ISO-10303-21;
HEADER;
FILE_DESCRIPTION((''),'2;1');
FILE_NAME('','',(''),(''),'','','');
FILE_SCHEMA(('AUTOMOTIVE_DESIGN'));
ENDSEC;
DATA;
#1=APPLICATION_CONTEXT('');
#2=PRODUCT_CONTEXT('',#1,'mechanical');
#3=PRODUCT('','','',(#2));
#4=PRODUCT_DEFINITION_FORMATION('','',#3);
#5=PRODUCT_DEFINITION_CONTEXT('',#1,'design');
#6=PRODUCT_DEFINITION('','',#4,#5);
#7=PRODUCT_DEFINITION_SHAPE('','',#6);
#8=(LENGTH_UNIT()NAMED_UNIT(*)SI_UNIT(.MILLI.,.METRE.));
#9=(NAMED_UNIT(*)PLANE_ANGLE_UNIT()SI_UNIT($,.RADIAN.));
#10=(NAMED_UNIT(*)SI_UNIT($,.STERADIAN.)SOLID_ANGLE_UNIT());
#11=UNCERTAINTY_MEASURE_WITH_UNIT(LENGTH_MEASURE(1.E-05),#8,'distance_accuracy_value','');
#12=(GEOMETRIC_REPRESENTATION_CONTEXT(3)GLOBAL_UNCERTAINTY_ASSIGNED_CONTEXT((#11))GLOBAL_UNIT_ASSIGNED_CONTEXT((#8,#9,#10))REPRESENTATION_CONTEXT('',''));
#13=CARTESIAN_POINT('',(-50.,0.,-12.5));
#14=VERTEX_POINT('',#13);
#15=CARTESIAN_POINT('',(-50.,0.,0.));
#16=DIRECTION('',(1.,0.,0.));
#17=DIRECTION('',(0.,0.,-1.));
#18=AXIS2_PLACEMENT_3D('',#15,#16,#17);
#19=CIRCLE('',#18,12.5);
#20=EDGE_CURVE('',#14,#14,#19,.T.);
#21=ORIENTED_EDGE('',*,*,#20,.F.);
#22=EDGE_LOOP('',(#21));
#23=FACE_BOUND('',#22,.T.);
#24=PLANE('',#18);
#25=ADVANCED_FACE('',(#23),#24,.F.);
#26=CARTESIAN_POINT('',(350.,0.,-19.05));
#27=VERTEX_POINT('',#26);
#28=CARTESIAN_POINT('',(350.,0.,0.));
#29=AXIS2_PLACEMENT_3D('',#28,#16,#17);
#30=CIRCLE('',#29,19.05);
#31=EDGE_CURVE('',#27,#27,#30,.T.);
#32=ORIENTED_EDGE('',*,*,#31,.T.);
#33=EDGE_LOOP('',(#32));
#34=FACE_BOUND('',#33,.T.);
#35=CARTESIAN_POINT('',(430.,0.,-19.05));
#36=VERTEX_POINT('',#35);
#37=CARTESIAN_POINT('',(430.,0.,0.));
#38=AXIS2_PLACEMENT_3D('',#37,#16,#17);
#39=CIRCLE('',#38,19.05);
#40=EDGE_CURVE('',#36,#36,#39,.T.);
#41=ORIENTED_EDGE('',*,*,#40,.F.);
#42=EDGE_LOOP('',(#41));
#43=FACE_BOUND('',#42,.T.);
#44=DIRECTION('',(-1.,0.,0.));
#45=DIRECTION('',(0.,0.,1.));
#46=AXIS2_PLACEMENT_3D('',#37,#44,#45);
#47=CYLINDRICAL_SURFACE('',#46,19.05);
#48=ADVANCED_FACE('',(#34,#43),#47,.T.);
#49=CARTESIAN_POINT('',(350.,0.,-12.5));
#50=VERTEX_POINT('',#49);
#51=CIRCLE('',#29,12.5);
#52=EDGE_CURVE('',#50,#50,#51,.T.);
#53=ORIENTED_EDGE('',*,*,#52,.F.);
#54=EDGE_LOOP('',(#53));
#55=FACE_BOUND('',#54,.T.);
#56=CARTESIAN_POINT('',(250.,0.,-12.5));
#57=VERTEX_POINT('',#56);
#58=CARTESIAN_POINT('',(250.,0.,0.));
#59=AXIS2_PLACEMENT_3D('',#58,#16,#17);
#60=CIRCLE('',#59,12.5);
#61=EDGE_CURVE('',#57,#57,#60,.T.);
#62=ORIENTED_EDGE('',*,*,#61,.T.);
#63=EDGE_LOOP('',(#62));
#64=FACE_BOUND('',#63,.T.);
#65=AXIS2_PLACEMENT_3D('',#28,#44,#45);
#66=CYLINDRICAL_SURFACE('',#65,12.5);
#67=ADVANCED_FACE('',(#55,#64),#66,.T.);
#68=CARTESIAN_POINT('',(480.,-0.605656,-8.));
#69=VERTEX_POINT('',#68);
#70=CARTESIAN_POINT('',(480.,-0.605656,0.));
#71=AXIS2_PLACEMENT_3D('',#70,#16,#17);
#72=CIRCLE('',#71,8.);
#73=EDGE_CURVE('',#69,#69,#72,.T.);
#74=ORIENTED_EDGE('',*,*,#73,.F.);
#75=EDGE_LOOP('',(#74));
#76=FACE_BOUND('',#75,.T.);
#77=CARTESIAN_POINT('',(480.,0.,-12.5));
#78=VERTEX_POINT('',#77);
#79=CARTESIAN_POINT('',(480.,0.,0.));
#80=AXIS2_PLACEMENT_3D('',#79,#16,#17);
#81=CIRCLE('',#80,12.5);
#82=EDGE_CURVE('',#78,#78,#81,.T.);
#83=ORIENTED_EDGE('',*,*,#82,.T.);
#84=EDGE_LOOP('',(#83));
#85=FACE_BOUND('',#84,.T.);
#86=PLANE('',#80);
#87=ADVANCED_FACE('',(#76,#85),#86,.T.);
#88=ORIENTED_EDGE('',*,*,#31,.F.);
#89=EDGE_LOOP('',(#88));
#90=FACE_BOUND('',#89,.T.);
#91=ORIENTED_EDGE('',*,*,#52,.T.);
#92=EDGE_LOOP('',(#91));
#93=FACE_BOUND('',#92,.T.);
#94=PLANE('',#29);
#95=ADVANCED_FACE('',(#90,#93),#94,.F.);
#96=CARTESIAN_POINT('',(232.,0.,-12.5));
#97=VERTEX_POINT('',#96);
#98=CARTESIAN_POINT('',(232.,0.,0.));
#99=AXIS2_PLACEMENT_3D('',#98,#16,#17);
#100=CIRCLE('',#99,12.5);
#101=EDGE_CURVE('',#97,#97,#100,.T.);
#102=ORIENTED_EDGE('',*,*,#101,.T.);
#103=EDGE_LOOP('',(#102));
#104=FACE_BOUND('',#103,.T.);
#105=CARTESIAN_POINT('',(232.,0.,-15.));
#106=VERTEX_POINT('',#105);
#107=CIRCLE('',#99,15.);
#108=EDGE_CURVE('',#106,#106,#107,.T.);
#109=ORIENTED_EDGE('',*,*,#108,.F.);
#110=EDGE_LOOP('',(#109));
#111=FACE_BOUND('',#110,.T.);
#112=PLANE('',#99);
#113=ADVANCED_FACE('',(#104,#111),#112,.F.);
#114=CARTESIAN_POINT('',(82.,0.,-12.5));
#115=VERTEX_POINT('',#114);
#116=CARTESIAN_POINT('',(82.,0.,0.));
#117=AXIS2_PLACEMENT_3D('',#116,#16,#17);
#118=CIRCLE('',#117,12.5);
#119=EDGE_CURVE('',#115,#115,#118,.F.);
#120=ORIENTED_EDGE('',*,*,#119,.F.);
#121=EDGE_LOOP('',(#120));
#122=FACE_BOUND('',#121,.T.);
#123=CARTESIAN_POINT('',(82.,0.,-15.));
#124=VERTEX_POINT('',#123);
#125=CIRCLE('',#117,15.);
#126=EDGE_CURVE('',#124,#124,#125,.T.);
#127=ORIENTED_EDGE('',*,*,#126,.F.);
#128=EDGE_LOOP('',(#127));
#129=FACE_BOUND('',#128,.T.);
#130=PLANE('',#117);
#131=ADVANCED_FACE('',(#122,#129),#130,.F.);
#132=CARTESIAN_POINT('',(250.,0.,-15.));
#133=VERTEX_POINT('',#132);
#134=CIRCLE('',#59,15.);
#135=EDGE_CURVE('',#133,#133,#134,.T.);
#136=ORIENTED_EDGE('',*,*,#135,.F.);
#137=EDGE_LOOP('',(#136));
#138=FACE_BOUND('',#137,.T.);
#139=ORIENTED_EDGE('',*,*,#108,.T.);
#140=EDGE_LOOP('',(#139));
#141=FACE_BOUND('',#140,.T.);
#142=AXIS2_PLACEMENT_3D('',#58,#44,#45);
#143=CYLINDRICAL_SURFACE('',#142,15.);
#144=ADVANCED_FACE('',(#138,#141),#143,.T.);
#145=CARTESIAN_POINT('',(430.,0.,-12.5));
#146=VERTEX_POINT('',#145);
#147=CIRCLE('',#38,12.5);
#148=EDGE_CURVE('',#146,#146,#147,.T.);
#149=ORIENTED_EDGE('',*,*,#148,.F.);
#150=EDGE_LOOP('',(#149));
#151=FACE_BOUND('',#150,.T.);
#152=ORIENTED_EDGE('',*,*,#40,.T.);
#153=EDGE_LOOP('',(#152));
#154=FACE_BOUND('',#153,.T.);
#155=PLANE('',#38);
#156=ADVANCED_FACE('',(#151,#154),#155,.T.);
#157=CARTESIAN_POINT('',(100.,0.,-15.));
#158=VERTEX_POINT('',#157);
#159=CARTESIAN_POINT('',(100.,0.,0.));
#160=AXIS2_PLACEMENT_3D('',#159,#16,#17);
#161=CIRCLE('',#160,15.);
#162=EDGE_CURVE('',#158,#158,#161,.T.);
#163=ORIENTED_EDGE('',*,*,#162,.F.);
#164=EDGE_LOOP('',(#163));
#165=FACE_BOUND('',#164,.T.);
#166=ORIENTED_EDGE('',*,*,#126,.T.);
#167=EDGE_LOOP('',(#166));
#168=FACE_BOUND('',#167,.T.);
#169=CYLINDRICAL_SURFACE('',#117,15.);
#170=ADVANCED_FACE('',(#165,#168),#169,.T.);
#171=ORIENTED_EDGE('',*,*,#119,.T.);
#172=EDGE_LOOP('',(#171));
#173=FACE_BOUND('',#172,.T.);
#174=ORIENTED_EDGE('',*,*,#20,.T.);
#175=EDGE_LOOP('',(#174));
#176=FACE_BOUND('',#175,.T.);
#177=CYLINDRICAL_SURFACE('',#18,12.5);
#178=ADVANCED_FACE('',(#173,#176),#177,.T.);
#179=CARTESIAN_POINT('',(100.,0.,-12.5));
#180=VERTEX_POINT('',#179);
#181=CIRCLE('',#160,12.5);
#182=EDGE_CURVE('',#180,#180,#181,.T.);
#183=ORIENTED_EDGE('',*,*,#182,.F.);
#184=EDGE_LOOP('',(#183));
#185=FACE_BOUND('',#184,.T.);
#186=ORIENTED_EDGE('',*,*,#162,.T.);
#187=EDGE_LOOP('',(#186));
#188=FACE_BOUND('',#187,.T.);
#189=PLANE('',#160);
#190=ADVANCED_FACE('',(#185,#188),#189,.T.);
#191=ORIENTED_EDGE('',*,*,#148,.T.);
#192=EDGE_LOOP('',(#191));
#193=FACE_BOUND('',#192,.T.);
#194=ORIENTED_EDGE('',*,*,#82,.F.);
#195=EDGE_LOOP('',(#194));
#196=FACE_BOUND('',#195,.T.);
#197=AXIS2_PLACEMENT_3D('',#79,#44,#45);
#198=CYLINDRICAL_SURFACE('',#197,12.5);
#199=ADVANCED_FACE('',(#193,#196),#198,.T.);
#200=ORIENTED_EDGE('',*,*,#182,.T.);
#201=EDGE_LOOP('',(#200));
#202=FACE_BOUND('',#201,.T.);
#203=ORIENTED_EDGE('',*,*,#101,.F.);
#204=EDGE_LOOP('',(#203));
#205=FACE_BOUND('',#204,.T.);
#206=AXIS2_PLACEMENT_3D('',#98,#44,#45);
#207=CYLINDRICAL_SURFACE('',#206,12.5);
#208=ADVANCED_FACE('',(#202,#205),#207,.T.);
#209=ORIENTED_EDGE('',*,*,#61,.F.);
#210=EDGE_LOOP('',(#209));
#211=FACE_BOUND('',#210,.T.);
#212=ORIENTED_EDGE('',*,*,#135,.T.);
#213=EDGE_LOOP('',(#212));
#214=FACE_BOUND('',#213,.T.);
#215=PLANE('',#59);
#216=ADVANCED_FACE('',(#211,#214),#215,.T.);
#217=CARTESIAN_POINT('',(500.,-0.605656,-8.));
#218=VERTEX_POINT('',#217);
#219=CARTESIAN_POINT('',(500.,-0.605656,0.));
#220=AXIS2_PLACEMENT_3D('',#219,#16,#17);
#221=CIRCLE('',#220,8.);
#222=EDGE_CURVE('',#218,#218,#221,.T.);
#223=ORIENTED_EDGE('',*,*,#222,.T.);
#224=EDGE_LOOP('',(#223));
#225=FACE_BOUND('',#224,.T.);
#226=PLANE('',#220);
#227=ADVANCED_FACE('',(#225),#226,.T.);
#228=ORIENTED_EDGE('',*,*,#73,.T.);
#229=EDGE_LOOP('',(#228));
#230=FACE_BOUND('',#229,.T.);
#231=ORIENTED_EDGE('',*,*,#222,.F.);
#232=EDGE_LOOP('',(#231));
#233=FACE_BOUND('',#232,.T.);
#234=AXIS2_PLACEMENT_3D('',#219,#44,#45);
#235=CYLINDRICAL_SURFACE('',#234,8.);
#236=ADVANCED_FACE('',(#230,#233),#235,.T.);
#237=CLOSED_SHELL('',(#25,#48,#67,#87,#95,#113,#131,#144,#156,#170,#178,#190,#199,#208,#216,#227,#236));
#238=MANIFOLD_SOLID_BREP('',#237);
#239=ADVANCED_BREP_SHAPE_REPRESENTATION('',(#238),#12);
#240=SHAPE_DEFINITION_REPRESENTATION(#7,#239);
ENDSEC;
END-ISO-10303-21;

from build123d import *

# Parameters (mm, degrees)
EXTRUDE_1_DEPTH      = 100
EXTRUDE_1_DEPTH_BACK = 50
SKETCH_1_R           = 12.5
SKETCH_2_R           = 15
EXTRUDE_2_DEPTH      = 18
SKETCH_3_R           = 12.5
EXTRUDE_3_DEPTH      = 132
EXTRUDE_START        = 18
SKETCH_4_R           = 15
EXTRUDE_4_DEPTH      = 18
SKETCH_5_R           = 12.5
EXTRUDE_5_DEPTH      = 100
SKETCH_6_R           = 19.05
EXTRUDE_6_DEPTH      = 80
SKETCH_7_R           = 12.5
EXTRUDE_7_DEPTH      = 50
SKETCH_9_R           = 8
EXTRUDE_8_DEPTH      = 20


with BuildPart() as part:
    # 草图1 → 凸台-拉伸1 (new, two sides: drawn at the far end of the back side and taken through both)
    with BuildSketch(Plane(origin=(0, 0, 0), x_dir=(0, 0, -1), z_dir=(1, 0, 0)).offset(-EXTRUDE_1_DEPTH_BACK)):
        Circle(SKETCH_1_R)
    extrude(amount=EXTRUDE_1_DEPTH + EXTRUDE_1_DEPTH_BACK)

    # 草图2 → 凸台-拉伸2 (add)
    with BuildSketch(Plane(origin=(100, 0, 0), x_dir=(0, 0, -1), z_dir=(1, 0, 0))):
        Circle(SKETCH_2_R)
    extrude(amount=-EXTRUDE_2_DEPTH)

    # 草图3 → 凸台-拉伸3 (add)
    with BuildSketch(Plane(origin=(100, 0, 0), x_dir=(0, 0, -1), z_dir=(1, 0, 0))):
        Circle(SKETCH_3_R)
    extrude(amount=EXTRUDE_3_DEPTH)

    # 草图4 → 凸台-拉伸4 (add)
    with BuildSketch(Plane(origin=(232, 0, 0), x_dir=(0, 0, -1), z_dir=(1, 0, 0)).offset(EXTRUDE_START)):
        Circle(SKETCH_4_R)
    extrude(amount=-EXTRUDE_4_DEPTH)

    # 草图5 → 凸台-拉伸5 (add)
    with BuildSketch(Plane(origin=(250, 0, 0), x_dir=(0, 0, -1), z_dir=(1, 0, 0))):
        Circle(SKETCH_5_R)
    extrude(amount=EXTRUDE_5_DEPTH)

    # 草图6 → 凸台-拉伸6 (add)
    with BuildSketch(Plane(origin=(350, 0, 0), x_dir=(0, 0, -1), z_dir=(1, 0, 0))):
        Circle(SKETCH_6_R)
    extrude(amount=EXTRUDE_6_DEPTH)

    # 草图7 → 凸台-拉伸7 (add)
    with BuildSketch(Plane(origin=(430, 0, 0), x_dir=(0, 0, -1), z_dir=(1, 0, 0))):
        Circle(SKETCH_7_R)
    extrude(amount=EXTRUDE_7_DEPTH)

    # 草图9 → 凸台-拉伸8 (add)
    with BuildSketch(Plane(origin=(480, 0, 0), x_dir=(0, 0, -1), z_dir=(1, 0, 0))):
        with Locations((0, -0.60565557)):
            Circle(SKETCH_9_R)
    extrude(amount=EXTRUDE_8_DEPTH)


solid = part.part
